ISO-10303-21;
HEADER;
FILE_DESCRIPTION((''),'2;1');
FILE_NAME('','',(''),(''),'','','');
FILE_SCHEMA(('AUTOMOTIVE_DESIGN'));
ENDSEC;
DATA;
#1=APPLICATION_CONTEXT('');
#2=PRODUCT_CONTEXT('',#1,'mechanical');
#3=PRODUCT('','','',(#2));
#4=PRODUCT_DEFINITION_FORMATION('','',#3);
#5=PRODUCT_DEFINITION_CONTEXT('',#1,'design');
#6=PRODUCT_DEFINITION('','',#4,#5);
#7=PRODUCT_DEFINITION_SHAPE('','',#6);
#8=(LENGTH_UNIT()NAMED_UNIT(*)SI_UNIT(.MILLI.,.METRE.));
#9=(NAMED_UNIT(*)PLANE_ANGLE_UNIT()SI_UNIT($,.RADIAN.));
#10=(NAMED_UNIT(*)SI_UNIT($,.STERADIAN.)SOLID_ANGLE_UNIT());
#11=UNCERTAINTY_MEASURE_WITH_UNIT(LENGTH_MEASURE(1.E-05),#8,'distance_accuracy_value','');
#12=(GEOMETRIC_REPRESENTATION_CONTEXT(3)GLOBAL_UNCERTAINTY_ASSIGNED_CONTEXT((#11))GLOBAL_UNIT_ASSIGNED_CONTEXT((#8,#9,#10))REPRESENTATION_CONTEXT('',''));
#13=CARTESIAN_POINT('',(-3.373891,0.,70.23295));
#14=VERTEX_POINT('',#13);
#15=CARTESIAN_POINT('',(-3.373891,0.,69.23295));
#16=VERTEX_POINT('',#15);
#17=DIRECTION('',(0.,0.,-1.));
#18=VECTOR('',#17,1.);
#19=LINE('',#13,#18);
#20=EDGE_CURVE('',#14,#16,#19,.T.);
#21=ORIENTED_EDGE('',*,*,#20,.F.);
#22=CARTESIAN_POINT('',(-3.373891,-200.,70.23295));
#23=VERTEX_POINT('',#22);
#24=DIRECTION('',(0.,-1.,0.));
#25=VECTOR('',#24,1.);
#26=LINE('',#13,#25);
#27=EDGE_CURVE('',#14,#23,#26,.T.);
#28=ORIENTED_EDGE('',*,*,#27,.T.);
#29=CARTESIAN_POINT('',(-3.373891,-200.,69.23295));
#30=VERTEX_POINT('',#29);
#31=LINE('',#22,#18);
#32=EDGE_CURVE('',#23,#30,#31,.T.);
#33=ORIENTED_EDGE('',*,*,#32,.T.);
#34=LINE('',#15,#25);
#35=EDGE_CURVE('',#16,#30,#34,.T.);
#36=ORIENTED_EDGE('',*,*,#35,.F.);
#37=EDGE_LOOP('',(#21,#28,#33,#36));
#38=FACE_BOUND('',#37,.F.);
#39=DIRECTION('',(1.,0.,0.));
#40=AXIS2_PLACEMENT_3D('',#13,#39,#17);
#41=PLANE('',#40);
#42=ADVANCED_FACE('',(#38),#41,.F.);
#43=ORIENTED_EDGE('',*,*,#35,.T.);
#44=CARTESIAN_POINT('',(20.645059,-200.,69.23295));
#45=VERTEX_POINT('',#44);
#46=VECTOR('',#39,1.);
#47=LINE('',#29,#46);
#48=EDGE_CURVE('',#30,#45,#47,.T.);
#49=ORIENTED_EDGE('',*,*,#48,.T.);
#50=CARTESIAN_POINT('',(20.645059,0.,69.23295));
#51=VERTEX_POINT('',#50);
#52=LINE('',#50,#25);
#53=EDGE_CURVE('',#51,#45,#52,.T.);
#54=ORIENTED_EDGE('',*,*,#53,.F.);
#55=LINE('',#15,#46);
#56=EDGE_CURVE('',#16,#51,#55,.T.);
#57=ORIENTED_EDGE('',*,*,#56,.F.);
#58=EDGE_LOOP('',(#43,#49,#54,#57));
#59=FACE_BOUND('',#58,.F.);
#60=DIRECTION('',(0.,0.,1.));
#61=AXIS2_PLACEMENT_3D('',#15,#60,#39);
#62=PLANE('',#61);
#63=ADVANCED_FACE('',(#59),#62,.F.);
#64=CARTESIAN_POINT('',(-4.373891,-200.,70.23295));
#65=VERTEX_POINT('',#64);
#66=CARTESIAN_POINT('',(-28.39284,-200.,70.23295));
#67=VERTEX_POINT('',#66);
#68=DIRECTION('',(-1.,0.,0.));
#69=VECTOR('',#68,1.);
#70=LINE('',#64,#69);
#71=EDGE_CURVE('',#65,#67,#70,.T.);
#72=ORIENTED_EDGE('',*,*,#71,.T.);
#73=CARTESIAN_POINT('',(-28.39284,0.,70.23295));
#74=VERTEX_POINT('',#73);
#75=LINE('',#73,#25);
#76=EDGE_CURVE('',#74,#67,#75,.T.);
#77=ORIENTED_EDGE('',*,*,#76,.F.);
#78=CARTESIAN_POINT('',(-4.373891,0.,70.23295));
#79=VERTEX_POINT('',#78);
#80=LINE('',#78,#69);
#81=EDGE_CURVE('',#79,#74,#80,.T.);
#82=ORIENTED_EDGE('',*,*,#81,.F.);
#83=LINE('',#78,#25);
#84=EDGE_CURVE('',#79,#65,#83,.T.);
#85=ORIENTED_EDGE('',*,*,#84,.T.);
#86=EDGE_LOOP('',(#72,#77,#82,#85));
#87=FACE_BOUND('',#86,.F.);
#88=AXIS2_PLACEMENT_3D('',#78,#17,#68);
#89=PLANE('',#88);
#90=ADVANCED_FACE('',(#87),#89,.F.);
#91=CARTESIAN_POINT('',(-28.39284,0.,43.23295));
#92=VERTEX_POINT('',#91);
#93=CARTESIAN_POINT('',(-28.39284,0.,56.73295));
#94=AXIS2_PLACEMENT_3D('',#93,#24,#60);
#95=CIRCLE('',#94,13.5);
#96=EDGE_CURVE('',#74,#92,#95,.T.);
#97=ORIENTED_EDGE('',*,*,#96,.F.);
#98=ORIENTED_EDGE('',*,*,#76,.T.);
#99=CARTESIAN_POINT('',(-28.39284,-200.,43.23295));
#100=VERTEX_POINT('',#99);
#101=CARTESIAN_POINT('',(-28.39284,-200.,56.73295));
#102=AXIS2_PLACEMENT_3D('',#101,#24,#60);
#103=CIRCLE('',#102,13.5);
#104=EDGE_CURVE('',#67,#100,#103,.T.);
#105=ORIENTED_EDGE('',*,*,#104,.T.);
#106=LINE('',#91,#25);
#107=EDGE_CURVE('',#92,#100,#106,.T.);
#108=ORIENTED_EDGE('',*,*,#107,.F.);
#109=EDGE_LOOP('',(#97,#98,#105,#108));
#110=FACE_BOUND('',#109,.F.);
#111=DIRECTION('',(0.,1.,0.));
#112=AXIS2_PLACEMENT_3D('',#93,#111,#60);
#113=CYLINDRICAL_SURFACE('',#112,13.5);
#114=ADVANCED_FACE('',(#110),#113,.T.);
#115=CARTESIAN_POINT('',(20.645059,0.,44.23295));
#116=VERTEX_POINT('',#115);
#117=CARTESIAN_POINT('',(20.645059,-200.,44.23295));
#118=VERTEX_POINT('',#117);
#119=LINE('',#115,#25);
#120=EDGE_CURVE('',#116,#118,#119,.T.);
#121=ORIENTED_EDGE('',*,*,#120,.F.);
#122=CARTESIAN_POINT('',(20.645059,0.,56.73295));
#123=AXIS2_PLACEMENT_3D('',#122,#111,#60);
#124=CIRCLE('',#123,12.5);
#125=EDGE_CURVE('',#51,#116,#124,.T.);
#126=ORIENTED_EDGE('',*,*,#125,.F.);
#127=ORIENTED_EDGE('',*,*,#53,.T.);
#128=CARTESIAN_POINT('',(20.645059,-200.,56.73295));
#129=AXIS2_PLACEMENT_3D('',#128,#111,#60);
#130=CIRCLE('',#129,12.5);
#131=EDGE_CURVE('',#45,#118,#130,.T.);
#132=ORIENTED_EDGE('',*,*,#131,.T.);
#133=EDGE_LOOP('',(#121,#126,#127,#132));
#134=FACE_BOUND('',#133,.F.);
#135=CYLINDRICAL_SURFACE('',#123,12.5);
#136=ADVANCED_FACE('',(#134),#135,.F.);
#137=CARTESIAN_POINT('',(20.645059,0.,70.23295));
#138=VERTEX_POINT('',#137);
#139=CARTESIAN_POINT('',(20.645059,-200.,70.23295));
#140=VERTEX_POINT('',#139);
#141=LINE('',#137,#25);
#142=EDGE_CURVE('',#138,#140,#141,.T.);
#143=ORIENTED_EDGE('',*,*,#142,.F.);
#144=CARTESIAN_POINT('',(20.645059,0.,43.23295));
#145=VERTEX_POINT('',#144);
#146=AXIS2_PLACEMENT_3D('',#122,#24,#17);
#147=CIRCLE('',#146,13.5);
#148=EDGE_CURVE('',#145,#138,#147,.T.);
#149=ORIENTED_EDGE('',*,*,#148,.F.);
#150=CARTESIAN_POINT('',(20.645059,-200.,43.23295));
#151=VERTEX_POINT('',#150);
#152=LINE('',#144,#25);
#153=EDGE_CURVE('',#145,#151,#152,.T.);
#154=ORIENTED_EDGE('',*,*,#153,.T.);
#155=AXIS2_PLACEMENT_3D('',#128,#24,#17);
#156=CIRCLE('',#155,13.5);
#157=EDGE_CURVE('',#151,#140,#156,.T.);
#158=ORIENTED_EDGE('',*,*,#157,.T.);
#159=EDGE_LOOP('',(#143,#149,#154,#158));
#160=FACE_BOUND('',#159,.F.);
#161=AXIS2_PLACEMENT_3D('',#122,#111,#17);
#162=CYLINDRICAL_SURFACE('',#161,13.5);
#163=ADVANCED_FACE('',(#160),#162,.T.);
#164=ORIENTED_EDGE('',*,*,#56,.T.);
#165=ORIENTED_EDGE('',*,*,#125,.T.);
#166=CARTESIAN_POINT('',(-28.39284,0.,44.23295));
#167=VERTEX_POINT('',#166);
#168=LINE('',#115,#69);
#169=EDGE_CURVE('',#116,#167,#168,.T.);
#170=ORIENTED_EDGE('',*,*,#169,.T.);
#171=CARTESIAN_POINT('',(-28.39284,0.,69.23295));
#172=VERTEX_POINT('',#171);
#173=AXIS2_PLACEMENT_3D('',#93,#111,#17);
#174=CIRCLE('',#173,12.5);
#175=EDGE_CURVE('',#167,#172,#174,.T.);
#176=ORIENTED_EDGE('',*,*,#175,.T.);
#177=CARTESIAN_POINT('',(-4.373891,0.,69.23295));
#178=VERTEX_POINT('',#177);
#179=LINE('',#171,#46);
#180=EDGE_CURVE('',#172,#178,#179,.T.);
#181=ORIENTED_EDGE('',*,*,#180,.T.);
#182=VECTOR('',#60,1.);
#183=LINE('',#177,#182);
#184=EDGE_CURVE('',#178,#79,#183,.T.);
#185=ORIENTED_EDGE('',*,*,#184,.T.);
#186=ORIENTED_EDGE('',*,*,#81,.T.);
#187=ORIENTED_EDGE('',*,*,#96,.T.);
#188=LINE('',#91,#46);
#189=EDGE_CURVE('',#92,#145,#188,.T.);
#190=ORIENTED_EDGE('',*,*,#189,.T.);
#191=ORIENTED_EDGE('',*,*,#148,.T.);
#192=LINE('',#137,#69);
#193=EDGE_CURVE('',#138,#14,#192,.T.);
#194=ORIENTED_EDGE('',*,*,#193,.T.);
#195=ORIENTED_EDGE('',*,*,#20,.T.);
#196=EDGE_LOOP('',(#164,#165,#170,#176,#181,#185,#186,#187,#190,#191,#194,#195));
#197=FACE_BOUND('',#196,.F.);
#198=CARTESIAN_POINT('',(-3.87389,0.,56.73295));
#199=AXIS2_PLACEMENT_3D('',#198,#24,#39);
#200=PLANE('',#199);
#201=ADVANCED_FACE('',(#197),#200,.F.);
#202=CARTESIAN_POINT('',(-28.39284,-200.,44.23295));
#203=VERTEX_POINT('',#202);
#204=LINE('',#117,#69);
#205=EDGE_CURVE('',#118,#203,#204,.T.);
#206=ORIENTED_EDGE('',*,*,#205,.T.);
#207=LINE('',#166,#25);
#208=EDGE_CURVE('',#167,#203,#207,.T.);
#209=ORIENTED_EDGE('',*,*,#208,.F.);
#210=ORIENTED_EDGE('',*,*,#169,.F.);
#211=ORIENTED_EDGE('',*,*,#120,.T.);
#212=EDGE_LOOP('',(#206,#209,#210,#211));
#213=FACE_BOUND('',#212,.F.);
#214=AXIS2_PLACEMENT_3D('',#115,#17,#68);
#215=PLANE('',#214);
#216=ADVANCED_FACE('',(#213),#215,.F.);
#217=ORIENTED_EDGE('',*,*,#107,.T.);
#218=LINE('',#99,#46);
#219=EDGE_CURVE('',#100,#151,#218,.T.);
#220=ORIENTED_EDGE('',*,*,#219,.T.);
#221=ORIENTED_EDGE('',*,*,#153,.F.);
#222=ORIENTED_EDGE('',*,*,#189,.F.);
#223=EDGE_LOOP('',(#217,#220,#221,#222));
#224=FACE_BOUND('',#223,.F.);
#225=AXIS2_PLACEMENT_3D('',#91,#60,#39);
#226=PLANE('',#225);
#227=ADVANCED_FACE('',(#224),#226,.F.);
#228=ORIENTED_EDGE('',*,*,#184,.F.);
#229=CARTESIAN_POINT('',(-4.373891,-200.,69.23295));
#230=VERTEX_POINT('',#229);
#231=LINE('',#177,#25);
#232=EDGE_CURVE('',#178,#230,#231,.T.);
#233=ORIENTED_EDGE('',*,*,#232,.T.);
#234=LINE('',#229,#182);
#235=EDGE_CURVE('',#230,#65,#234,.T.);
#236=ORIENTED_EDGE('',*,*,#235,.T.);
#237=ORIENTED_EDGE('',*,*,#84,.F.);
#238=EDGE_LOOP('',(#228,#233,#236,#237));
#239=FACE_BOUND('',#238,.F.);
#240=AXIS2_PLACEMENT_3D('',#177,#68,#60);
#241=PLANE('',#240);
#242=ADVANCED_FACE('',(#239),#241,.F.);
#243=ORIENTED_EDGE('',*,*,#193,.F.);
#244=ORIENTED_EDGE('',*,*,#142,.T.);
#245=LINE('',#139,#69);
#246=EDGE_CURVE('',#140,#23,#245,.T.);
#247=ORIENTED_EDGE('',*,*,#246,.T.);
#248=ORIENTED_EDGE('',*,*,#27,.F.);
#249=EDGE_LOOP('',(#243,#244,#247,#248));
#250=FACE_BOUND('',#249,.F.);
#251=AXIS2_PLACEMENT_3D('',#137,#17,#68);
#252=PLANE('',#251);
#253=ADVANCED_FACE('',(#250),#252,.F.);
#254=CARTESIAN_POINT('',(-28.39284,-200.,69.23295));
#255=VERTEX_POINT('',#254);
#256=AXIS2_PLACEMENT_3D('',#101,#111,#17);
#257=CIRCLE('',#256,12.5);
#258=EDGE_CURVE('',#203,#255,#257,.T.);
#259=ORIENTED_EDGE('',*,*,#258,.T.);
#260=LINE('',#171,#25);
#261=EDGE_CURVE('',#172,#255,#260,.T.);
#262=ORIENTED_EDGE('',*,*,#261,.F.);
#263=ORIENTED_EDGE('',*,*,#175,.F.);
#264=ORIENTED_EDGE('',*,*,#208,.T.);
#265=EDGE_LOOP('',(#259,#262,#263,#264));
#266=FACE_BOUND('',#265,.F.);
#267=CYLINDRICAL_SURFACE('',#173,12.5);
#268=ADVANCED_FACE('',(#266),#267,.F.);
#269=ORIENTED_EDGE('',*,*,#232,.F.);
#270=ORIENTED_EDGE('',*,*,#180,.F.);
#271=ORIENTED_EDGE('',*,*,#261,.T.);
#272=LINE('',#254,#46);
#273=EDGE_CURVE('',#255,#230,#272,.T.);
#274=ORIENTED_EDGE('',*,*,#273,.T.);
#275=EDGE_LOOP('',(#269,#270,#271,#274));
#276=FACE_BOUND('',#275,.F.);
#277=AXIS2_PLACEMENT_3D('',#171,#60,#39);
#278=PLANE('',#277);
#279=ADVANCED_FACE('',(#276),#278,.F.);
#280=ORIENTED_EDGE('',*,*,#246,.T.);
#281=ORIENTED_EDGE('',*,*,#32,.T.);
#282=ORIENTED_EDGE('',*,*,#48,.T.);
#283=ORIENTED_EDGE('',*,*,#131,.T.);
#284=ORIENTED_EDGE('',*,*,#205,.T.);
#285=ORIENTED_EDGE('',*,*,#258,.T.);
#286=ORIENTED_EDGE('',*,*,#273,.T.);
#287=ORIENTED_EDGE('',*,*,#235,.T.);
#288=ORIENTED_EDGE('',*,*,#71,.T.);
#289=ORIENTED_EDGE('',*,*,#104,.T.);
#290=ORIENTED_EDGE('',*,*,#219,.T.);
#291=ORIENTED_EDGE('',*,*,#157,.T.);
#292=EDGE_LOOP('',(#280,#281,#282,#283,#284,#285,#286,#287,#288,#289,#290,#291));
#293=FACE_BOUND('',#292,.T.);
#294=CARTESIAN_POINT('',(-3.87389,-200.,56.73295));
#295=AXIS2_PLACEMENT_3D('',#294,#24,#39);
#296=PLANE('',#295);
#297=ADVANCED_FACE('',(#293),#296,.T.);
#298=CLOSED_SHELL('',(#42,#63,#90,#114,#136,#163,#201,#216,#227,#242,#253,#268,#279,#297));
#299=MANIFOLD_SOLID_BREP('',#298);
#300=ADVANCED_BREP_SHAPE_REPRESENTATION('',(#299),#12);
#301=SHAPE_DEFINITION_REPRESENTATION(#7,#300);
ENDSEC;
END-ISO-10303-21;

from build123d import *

# Parameters (mm, degrees)
F1_DEPTH = 200


with BuildPart() as f1:
    # F0 (on Front) → F1 (new body)
    with BuildSketch(Plane.XZ):
        with BuildLine():
            ThreePointArc((-28.39284, 70.23295), (-41.89284, 56.73295), (-28.39284, 43.23295))
            Line((-28.39284, 43.23295), (20.645059, 43.23295))
            ThreePointArc((20.645059, 43.23295), (34.145059, 56.73295), (20.645059, 70.23295))
            Line((20.645059, 70.23295), (-3.373891, 70.23295))
            Line((-3.373891, 70.23295), (-3.373891, 69.23295))
            Line((-3.373891, 69.23295), (20.645059, 69.23295))
            ThreePointArc((20.645059, 69.23295), (33.145059, 56.73295), (20.645059, 44.23295))
            Line((20.645059, 44.23295), (-28.39284, 44.23295))
            ThreePointArc((-28.39284, 44.23295), (-40.89284, 56.73295), (-28.39284, 69.23295))
            Line((-28.39284, 69.23295), (-4.373891, 69.23295))
            Line((-4.373891, 69.23295), (-4.373891, 70.23295))
            Line((-4.373891, 70.23295), (-28.39284, 70.23295))
        make_face()
    extrude(amount=F1_DEPTH)


solid = f1.part
